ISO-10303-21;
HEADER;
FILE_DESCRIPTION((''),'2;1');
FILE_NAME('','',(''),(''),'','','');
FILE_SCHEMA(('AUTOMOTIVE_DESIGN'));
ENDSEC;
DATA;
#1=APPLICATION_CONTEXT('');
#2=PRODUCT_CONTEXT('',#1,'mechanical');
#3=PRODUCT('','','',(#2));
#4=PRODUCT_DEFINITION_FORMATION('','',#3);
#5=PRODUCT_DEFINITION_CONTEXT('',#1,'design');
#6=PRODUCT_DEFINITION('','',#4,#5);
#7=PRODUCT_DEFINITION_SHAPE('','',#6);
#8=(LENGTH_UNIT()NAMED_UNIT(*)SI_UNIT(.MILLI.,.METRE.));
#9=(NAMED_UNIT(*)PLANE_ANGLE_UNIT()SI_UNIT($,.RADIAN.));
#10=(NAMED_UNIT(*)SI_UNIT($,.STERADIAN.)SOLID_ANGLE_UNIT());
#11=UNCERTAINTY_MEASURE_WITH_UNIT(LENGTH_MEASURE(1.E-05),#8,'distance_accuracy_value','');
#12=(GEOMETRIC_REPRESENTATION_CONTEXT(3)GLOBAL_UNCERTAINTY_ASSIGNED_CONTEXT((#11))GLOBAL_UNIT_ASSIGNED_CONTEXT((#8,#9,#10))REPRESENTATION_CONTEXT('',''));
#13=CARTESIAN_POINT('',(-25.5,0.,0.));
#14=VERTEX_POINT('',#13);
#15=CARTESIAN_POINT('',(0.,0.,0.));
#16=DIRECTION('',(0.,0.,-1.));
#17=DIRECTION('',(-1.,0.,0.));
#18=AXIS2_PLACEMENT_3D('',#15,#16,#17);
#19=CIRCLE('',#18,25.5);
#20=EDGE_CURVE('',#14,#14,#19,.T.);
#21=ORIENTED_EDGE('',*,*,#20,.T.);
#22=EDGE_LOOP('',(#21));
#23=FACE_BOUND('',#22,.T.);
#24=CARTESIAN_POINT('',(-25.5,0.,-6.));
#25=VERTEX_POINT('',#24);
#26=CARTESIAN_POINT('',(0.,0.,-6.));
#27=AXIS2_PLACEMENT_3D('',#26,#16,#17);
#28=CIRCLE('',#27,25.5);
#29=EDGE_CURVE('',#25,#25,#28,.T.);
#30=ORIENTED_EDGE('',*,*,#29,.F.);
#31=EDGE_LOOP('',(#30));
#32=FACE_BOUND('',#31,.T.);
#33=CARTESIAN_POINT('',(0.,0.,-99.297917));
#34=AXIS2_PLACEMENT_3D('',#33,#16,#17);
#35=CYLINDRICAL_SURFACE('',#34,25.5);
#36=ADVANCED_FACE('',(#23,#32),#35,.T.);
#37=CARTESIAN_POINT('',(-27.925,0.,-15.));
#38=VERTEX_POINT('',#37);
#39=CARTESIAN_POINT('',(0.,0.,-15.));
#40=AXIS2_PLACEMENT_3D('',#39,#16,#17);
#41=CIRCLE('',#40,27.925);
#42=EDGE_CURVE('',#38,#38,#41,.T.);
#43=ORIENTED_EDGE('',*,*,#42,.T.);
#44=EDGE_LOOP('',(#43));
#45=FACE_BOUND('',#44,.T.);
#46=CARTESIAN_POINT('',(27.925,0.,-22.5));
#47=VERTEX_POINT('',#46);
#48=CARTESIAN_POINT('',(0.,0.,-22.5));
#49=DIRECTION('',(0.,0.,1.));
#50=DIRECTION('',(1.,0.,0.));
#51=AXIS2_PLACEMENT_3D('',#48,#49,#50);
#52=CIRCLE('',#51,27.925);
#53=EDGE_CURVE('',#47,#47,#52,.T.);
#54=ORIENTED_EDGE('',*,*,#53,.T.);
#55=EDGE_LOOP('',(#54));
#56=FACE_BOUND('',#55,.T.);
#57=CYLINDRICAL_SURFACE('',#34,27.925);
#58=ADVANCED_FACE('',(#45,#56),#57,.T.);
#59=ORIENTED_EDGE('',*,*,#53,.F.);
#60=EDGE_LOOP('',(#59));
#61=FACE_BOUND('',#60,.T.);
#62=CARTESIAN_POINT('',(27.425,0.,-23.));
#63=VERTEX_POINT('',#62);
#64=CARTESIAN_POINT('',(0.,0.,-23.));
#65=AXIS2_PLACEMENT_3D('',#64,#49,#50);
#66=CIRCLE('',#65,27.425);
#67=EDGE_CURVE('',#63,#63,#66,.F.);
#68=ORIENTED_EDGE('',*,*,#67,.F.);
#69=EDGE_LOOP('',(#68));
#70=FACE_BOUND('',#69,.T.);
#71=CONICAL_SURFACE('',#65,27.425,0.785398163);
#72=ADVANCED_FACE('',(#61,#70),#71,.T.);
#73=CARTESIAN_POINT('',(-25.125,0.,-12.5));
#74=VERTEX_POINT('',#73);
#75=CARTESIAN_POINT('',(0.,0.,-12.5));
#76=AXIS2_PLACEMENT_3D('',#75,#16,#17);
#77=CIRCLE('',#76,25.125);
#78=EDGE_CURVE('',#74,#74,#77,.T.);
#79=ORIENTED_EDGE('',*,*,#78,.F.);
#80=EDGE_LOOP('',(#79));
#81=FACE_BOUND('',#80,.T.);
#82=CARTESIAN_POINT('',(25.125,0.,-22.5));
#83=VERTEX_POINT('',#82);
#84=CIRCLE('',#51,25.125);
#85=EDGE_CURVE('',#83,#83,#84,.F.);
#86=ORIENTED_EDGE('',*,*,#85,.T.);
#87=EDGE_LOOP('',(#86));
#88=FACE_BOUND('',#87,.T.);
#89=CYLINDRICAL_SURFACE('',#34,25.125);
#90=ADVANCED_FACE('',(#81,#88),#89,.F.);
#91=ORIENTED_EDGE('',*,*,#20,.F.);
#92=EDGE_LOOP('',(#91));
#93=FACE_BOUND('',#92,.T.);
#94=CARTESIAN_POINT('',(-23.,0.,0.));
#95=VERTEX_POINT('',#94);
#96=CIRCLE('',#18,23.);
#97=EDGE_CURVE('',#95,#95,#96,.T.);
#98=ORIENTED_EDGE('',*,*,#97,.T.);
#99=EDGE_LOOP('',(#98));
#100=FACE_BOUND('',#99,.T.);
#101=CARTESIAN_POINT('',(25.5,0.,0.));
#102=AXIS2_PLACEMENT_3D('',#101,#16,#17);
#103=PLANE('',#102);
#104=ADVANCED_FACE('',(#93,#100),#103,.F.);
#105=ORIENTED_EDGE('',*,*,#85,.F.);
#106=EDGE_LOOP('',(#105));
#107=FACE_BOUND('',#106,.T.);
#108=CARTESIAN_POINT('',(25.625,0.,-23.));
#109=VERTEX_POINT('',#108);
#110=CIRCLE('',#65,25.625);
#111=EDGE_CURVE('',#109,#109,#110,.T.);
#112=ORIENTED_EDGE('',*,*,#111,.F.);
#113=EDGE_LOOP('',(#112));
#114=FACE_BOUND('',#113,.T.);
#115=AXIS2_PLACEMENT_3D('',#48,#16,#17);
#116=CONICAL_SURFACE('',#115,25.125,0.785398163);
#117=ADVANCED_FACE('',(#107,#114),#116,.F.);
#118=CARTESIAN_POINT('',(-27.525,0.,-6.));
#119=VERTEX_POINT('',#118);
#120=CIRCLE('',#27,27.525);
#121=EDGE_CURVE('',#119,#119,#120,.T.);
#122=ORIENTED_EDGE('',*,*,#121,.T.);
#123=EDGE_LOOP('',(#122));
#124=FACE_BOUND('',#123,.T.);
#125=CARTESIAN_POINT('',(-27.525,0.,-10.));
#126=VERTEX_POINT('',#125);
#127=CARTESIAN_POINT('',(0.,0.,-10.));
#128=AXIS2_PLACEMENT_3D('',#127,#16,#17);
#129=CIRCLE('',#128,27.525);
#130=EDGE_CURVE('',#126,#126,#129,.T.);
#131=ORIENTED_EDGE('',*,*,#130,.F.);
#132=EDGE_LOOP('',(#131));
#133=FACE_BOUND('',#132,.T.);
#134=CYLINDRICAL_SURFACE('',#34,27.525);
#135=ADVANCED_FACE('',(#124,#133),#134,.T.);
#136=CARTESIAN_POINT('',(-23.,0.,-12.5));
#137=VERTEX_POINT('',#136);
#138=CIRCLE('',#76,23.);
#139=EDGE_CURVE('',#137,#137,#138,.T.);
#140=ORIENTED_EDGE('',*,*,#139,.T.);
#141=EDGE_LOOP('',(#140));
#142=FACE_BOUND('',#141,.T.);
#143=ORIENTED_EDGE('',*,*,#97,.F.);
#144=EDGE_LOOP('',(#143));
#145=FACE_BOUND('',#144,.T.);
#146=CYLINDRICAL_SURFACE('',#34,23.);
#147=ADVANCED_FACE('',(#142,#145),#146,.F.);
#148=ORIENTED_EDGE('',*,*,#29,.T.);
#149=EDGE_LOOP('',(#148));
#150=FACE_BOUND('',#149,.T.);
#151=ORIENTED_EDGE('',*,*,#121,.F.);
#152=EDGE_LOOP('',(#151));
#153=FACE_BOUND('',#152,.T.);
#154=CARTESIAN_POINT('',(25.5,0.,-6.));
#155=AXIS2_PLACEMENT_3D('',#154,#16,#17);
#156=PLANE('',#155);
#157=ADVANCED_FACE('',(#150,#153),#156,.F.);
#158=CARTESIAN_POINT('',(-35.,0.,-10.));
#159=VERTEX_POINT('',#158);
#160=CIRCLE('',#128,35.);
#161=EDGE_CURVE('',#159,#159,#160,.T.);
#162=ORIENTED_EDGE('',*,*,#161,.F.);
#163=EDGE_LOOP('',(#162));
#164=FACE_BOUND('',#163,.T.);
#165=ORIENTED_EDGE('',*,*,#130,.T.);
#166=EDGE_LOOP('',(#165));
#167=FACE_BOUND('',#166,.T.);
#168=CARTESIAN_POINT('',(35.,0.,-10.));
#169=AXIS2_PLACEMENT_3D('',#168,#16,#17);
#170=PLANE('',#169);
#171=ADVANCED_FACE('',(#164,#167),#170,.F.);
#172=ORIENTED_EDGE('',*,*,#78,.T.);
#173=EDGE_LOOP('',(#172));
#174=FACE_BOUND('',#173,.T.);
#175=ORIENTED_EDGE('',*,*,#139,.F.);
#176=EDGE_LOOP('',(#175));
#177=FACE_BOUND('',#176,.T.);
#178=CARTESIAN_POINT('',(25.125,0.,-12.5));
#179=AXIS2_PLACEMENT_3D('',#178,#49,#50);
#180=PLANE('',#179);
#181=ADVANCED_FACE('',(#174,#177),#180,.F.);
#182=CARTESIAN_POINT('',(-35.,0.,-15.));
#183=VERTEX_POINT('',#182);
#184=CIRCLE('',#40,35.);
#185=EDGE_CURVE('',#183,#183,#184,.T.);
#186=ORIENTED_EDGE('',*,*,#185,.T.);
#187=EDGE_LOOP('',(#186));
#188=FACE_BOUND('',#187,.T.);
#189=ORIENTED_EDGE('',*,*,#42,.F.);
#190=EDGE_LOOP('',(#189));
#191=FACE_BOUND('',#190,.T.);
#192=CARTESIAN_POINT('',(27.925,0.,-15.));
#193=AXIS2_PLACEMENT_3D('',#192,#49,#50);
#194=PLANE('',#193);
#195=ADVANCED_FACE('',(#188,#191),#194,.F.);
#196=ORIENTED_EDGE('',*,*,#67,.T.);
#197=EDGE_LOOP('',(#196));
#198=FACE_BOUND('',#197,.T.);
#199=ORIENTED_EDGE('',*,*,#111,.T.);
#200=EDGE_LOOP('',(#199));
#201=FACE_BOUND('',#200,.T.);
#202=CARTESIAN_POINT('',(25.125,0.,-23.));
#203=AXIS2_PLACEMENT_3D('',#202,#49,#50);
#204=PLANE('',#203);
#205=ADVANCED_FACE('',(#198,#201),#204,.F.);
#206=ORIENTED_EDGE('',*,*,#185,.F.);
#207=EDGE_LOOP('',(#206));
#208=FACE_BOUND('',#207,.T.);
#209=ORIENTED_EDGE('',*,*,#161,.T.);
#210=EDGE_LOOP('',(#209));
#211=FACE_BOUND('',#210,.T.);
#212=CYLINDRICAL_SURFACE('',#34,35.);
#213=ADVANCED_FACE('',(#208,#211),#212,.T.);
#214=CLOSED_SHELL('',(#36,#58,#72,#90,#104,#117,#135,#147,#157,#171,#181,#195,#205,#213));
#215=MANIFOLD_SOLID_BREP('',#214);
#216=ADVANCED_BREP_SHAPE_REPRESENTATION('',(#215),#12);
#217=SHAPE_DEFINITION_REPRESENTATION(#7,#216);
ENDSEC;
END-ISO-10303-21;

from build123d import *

# Parameters (mm, degrees)
CHAMFER1_SIZE = 0.5


with BuildPart() as part:
    # Sketch1 → Revolve1 (revolve)
    with BuildSketch(Plane(origin=(0, 0, 0), x_dir=(1, 0, 0), z_dir=(0, 1, 0)), mode=Mode.PRIVATE) as revolve1_sk:
        Polygon((25.125, 23), (27.925, 23), (27.925, 15), (35, 15), (35, 10), (27.525, 10), (27.525, 6), (25.5, 6), (25.5, 0), (23, 0), (23, 12.5), (25.125, 12.5), align=None)
    revolve(revolve1_sk.sketch.rotate(Axis((0, 0, -99.297916667), (0, 0, 1)), 180), axis=Axis((0, 0, -99.297916667), (0, 0, 1)))

    # Chamfer1
    chamfer1_edges = [part.edges().sort_by_distance(p)[0] for p in [
        (27.925, 0, -23),
        (25.125, 0, -23),
    ]]
    chamfer(chamfer1_edges, length=CHAMFER1_SIZE)


solid = part.part
